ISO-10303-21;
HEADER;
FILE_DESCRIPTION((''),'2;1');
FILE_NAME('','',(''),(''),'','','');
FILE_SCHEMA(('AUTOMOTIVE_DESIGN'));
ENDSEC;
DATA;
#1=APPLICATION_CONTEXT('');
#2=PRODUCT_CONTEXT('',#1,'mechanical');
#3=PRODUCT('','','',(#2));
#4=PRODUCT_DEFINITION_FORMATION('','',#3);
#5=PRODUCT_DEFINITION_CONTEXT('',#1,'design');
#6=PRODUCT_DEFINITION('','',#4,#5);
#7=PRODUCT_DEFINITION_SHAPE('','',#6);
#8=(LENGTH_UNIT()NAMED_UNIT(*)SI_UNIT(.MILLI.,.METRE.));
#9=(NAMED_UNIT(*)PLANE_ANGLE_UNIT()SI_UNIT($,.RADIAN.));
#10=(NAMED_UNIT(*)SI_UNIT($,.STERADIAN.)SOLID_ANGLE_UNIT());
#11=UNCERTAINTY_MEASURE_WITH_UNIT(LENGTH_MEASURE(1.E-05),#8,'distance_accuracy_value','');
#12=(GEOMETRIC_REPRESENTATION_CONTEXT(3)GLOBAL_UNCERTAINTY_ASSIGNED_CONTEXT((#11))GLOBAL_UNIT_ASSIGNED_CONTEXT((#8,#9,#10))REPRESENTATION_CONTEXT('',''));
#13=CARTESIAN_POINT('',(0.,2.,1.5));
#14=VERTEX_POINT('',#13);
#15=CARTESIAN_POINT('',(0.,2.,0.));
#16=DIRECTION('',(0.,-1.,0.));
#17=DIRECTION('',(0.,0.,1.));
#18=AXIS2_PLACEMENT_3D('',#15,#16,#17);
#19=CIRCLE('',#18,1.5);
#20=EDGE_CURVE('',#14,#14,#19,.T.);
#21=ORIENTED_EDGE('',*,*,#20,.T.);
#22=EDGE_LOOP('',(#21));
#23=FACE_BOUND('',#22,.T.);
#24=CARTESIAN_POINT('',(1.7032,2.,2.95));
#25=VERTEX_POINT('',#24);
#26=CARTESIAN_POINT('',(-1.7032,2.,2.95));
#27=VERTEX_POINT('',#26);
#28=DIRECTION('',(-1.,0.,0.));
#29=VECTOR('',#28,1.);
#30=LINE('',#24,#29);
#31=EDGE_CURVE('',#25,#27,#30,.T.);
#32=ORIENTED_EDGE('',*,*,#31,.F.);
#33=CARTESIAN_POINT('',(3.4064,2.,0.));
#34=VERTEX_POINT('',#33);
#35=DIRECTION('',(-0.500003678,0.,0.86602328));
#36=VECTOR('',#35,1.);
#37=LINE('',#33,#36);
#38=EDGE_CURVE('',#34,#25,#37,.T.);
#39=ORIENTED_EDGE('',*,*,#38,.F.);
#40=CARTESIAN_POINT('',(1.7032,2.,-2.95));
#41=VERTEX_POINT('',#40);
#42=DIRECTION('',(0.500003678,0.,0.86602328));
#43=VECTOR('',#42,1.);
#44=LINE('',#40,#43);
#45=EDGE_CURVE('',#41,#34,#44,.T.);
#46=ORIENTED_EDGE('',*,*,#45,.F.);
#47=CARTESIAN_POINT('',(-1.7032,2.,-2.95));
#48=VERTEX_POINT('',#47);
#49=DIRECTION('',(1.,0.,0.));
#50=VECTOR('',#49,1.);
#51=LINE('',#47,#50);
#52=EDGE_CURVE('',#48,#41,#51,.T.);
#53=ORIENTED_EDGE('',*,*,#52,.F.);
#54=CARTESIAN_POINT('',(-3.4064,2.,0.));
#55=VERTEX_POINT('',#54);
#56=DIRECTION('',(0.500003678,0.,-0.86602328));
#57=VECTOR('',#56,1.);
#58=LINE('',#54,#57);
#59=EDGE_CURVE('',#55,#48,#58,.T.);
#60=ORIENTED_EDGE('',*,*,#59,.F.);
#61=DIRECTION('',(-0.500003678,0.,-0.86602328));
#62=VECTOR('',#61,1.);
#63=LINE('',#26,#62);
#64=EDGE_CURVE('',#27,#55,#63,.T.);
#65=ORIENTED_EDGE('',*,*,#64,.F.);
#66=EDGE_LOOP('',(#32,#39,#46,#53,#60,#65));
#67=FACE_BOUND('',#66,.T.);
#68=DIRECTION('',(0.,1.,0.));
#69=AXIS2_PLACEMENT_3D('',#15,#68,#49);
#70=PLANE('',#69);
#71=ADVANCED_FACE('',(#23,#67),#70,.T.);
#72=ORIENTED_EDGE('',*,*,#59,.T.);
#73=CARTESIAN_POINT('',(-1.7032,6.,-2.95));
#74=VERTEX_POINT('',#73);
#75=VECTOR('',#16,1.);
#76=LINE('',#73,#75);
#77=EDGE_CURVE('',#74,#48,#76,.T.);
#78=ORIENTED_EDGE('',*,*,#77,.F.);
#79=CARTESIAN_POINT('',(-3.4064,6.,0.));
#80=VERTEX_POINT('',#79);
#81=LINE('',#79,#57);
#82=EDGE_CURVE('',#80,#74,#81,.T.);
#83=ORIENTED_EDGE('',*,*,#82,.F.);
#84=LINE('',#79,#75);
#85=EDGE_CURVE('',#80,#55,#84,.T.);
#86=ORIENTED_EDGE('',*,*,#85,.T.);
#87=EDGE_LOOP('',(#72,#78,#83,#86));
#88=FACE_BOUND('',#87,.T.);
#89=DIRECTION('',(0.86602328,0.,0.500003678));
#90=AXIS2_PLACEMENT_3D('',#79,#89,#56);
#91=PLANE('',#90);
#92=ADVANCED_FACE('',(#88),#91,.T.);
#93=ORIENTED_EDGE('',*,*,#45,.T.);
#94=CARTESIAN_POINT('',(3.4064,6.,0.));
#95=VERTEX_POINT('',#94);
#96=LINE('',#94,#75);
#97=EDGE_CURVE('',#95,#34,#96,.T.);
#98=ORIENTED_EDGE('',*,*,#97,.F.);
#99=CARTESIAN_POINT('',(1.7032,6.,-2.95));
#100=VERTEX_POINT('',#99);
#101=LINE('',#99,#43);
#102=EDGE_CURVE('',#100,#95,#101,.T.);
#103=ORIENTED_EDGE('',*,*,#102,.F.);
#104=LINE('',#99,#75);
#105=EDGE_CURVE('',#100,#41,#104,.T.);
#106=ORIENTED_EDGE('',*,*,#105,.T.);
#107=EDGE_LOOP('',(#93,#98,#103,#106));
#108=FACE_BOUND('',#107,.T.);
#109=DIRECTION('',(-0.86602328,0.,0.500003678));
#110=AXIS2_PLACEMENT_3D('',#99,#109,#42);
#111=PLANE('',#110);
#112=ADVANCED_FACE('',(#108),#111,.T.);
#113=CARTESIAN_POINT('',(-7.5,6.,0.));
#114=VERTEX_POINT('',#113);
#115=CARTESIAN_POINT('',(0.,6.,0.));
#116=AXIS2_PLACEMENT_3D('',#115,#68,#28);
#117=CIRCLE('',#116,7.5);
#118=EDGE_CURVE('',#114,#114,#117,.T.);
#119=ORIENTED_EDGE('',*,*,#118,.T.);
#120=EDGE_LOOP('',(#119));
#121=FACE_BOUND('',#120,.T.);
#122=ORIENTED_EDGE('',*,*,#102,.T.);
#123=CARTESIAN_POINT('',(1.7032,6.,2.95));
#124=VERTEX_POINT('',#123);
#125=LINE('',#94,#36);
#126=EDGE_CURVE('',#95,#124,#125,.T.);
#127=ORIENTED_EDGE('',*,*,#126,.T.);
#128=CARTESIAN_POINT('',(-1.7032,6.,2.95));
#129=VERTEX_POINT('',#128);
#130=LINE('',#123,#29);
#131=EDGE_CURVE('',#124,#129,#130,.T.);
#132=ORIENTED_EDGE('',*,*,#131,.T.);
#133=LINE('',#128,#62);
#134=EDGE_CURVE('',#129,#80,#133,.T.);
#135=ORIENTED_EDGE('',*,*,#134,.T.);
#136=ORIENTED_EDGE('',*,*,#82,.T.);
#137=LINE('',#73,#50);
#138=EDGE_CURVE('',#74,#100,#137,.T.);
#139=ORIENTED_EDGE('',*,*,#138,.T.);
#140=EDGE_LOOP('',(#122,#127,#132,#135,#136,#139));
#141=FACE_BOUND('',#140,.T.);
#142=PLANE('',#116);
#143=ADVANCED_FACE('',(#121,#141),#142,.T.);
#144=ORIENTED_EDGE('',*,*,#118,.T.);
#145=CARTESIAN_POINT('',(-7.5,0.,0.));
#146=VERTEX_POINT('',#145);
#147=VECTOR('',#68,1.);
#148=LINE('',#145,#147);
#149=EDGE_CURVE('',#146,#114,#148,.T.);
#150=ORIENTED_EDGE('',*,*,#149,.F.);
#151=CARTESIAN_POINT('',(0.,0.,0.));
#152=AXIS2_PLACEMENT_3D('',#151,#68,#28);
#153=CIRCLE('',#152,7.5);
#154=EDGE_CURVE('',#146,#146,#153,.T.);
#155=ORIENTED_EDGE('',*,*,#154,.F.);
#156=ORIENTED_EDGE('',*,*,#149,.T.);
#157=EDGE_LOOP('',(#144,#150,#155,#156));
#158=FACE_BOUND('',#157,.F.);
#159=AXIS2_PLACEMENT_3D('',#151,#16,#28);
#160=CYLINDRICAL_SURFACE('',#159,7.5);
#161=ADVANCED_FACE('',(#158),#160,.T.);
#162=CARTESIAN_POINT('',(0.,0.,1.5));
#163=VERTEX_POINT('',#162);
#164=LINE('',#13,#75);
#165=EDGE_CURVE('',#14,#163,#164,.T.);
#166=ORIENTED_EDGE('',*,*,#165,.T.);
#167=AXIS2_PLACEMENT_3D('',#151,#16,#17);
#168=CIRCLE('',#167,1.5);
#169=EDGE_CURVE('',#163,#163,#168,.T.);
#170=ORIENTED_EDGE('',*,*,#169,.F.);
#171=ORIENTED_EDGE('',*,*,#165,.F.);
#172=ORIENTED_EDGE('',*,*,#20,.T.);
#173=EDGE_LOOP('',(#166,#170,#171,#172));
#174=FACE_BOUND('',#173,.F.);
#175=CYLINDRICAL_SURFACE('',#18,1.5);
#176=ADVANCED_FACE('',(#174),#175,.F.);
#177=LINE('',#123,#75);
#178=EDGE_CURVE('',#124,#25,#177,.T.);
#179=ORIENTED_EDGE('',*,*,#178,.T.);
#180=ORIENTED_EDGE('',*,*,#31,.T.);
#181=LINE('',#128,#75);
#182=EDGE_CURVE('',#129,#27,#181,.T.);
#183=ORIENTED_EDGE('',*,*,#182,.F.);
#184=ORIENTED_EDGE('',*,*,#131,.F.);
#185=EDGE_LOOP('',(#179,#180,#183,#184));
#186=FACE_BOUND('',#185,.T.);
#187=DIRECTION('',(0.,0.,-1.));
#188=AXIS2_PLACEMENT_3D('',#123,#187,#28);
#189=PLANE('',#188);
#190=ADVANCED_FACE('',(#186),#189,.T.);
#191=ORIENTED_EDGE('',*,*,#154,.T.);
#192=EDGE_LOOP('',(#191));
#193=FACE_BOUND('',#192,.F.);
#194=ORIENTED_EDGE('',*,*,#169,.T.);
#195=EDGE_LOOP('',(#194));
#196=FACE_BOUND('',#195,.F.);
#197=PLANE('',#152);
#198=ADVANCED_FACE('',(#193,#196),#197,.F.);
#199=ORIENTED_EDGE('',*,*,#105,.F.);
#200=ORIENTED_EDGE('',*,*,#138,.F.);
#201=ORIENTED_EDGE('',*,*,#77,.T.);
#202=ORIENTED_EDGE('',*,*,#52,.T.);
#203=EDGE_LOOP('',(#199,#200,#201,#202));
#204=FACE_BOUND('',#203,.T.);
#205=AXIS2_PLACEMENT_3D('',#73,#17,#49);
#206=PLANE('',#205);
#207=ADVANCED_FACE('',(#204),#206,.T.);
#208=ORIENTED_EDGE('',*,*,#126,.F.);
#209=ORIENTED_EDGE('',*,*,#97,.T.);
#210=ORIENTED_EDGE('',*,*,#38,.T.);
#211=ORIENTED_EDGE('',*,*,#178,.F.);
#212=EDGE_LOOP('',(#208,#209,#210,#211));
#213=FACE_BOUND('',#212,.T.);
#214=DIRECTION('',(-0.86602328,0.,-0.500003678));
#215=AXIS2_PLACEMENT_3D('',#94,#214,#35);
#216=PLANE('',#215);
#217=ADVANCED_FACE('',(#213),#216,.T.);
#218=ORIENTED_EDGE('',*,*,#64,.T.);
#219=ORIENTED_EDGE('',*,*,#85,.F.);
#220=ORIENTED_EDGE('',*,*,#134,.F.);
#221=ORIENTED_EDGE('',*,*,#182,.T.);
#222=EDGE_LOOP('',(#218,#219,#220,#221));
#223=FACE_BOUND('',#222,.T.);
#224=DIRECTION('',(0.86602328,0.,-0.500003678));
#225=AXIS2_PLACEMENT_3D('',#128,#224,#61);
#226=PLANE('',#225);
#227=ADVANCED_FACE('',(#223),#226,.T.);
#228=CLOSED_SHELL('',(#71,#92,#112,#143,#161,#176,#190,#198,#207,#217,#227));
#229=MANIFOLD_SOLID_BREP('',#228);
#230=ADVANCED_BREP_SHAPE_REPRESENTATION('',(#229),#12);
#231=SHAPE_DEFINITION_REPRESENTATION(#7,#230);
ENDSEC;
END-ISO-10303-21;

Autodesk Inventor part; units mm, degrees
ref_plane "YZ Plane" through (0, 0, 0) normal (1, 0, 0) x (0, 1, 0)
ref_plane "XZ Plane" through (0, 0, 0) normal (0, 1, 0) x (-1, 0, 0)
ref_plane "XY Plane" through (0, 0, 0) normal (0, 0, 1) x (1, 0, 0)
sketch "Boceto1" plane through (0, 0, 0) normal (0, 1, 0) x (-1, 0, 0)
  line L0 (1.5588, -2.7) -> (-1.5588, -2.7)
  line L1 (-1.5588, -2.7) -> (-3.1177, 0)
  line L2 (-3.1177, 0) -> (-1.5588, 2.7)
  line L3 (-1.5588, 2.7) -> (1.5588, 2.7)
  line L4 (1.5588, 2.7) -> (3.1177, 0)
  line L5 (3.1177, 0) -> (1.5588, -2.7)
  line L6 (3.4064, 0) -> (1.7032, 2.95)
  line L7 (1.7032, 2.95) -> (-1.7032, 2.95)
  line L8 (-1.7032, 2.95) -> (-3.4064, 0)
  line L9 (-3.4064, 0) -> (-1.7032, -2.95)
  line L10 (-1.7032, -2.95) -> (1.7032, -2.95)
  line L11 (1.7032, -2.95) -> (3.4064, 0)
  circle A0 centre (0, 0) radius 7.5
  dimension "d0" = 5.4
  dimension "d1" = 0.25
  dimension "d2" = 15
extrude "Extrusión1" add sketch "Boceto1" along normal blind 6 contours L0 L1 L2 L3 L4 L5 | L11 L10 L9 L8 L7 L6 | A0
sketch "Boceto2" plane through (0, 6, 0) normal (0, 1, 0) x (1, 0, 0)
  line L0 (-3.1177, 0) -> (-1.5588, 2.7)
  line L1 (-1.5588, 2.7) -> (1.5588, 2.7)
  line L2 (1.5588, 2.7) -> (3.1177, 0)
  line L3 (3.1177, 0) -> (1.5588, -2.7)
  line L4 (1.5588, -2.7) -> (-1.5588, -2.7)
  line L5 (-1.5588, -2.7) -> (-3.1177, 0)
  line L6 (-3.4064, 0) -> (-1.7032, 2.95)
  line L7 (-1.7032, 2.95) -> (1.7032, 2.95)
  line L8 (1.7032, 2.95) -> (3.4064, 0)
  line L9 (3.4064, 0) -> (1.7032, -2.95)
  line L10 (1.7032, -2.95) -> (-1.7032, -2.95)
  line L11 (-1.7032, -2.95) -> (-3.4064, 0)
  point P0 (0, 0)
  point P1 (0, 0)
  dimension "d5" = 5.4
  dimension "d6" = 0.25
extrude "Extrusión2" cut sketch "Boceto2" against normal blind 4 contours L0 L1 L2 L3 L4 L5 | L6 L7 L8 L9 L10 L11
sketch "Boceto3" plane through (0, 2, 0) normal (0, 1, 0) x (1, 0, 0)
  circle A0 centre (0, 0) radius 7.5 projected
hole "Agujero1" at (0, 2, 0) direction (0, -1, 0) diameter 3 end through all
properties part number "Cabeza_Tornillos"
